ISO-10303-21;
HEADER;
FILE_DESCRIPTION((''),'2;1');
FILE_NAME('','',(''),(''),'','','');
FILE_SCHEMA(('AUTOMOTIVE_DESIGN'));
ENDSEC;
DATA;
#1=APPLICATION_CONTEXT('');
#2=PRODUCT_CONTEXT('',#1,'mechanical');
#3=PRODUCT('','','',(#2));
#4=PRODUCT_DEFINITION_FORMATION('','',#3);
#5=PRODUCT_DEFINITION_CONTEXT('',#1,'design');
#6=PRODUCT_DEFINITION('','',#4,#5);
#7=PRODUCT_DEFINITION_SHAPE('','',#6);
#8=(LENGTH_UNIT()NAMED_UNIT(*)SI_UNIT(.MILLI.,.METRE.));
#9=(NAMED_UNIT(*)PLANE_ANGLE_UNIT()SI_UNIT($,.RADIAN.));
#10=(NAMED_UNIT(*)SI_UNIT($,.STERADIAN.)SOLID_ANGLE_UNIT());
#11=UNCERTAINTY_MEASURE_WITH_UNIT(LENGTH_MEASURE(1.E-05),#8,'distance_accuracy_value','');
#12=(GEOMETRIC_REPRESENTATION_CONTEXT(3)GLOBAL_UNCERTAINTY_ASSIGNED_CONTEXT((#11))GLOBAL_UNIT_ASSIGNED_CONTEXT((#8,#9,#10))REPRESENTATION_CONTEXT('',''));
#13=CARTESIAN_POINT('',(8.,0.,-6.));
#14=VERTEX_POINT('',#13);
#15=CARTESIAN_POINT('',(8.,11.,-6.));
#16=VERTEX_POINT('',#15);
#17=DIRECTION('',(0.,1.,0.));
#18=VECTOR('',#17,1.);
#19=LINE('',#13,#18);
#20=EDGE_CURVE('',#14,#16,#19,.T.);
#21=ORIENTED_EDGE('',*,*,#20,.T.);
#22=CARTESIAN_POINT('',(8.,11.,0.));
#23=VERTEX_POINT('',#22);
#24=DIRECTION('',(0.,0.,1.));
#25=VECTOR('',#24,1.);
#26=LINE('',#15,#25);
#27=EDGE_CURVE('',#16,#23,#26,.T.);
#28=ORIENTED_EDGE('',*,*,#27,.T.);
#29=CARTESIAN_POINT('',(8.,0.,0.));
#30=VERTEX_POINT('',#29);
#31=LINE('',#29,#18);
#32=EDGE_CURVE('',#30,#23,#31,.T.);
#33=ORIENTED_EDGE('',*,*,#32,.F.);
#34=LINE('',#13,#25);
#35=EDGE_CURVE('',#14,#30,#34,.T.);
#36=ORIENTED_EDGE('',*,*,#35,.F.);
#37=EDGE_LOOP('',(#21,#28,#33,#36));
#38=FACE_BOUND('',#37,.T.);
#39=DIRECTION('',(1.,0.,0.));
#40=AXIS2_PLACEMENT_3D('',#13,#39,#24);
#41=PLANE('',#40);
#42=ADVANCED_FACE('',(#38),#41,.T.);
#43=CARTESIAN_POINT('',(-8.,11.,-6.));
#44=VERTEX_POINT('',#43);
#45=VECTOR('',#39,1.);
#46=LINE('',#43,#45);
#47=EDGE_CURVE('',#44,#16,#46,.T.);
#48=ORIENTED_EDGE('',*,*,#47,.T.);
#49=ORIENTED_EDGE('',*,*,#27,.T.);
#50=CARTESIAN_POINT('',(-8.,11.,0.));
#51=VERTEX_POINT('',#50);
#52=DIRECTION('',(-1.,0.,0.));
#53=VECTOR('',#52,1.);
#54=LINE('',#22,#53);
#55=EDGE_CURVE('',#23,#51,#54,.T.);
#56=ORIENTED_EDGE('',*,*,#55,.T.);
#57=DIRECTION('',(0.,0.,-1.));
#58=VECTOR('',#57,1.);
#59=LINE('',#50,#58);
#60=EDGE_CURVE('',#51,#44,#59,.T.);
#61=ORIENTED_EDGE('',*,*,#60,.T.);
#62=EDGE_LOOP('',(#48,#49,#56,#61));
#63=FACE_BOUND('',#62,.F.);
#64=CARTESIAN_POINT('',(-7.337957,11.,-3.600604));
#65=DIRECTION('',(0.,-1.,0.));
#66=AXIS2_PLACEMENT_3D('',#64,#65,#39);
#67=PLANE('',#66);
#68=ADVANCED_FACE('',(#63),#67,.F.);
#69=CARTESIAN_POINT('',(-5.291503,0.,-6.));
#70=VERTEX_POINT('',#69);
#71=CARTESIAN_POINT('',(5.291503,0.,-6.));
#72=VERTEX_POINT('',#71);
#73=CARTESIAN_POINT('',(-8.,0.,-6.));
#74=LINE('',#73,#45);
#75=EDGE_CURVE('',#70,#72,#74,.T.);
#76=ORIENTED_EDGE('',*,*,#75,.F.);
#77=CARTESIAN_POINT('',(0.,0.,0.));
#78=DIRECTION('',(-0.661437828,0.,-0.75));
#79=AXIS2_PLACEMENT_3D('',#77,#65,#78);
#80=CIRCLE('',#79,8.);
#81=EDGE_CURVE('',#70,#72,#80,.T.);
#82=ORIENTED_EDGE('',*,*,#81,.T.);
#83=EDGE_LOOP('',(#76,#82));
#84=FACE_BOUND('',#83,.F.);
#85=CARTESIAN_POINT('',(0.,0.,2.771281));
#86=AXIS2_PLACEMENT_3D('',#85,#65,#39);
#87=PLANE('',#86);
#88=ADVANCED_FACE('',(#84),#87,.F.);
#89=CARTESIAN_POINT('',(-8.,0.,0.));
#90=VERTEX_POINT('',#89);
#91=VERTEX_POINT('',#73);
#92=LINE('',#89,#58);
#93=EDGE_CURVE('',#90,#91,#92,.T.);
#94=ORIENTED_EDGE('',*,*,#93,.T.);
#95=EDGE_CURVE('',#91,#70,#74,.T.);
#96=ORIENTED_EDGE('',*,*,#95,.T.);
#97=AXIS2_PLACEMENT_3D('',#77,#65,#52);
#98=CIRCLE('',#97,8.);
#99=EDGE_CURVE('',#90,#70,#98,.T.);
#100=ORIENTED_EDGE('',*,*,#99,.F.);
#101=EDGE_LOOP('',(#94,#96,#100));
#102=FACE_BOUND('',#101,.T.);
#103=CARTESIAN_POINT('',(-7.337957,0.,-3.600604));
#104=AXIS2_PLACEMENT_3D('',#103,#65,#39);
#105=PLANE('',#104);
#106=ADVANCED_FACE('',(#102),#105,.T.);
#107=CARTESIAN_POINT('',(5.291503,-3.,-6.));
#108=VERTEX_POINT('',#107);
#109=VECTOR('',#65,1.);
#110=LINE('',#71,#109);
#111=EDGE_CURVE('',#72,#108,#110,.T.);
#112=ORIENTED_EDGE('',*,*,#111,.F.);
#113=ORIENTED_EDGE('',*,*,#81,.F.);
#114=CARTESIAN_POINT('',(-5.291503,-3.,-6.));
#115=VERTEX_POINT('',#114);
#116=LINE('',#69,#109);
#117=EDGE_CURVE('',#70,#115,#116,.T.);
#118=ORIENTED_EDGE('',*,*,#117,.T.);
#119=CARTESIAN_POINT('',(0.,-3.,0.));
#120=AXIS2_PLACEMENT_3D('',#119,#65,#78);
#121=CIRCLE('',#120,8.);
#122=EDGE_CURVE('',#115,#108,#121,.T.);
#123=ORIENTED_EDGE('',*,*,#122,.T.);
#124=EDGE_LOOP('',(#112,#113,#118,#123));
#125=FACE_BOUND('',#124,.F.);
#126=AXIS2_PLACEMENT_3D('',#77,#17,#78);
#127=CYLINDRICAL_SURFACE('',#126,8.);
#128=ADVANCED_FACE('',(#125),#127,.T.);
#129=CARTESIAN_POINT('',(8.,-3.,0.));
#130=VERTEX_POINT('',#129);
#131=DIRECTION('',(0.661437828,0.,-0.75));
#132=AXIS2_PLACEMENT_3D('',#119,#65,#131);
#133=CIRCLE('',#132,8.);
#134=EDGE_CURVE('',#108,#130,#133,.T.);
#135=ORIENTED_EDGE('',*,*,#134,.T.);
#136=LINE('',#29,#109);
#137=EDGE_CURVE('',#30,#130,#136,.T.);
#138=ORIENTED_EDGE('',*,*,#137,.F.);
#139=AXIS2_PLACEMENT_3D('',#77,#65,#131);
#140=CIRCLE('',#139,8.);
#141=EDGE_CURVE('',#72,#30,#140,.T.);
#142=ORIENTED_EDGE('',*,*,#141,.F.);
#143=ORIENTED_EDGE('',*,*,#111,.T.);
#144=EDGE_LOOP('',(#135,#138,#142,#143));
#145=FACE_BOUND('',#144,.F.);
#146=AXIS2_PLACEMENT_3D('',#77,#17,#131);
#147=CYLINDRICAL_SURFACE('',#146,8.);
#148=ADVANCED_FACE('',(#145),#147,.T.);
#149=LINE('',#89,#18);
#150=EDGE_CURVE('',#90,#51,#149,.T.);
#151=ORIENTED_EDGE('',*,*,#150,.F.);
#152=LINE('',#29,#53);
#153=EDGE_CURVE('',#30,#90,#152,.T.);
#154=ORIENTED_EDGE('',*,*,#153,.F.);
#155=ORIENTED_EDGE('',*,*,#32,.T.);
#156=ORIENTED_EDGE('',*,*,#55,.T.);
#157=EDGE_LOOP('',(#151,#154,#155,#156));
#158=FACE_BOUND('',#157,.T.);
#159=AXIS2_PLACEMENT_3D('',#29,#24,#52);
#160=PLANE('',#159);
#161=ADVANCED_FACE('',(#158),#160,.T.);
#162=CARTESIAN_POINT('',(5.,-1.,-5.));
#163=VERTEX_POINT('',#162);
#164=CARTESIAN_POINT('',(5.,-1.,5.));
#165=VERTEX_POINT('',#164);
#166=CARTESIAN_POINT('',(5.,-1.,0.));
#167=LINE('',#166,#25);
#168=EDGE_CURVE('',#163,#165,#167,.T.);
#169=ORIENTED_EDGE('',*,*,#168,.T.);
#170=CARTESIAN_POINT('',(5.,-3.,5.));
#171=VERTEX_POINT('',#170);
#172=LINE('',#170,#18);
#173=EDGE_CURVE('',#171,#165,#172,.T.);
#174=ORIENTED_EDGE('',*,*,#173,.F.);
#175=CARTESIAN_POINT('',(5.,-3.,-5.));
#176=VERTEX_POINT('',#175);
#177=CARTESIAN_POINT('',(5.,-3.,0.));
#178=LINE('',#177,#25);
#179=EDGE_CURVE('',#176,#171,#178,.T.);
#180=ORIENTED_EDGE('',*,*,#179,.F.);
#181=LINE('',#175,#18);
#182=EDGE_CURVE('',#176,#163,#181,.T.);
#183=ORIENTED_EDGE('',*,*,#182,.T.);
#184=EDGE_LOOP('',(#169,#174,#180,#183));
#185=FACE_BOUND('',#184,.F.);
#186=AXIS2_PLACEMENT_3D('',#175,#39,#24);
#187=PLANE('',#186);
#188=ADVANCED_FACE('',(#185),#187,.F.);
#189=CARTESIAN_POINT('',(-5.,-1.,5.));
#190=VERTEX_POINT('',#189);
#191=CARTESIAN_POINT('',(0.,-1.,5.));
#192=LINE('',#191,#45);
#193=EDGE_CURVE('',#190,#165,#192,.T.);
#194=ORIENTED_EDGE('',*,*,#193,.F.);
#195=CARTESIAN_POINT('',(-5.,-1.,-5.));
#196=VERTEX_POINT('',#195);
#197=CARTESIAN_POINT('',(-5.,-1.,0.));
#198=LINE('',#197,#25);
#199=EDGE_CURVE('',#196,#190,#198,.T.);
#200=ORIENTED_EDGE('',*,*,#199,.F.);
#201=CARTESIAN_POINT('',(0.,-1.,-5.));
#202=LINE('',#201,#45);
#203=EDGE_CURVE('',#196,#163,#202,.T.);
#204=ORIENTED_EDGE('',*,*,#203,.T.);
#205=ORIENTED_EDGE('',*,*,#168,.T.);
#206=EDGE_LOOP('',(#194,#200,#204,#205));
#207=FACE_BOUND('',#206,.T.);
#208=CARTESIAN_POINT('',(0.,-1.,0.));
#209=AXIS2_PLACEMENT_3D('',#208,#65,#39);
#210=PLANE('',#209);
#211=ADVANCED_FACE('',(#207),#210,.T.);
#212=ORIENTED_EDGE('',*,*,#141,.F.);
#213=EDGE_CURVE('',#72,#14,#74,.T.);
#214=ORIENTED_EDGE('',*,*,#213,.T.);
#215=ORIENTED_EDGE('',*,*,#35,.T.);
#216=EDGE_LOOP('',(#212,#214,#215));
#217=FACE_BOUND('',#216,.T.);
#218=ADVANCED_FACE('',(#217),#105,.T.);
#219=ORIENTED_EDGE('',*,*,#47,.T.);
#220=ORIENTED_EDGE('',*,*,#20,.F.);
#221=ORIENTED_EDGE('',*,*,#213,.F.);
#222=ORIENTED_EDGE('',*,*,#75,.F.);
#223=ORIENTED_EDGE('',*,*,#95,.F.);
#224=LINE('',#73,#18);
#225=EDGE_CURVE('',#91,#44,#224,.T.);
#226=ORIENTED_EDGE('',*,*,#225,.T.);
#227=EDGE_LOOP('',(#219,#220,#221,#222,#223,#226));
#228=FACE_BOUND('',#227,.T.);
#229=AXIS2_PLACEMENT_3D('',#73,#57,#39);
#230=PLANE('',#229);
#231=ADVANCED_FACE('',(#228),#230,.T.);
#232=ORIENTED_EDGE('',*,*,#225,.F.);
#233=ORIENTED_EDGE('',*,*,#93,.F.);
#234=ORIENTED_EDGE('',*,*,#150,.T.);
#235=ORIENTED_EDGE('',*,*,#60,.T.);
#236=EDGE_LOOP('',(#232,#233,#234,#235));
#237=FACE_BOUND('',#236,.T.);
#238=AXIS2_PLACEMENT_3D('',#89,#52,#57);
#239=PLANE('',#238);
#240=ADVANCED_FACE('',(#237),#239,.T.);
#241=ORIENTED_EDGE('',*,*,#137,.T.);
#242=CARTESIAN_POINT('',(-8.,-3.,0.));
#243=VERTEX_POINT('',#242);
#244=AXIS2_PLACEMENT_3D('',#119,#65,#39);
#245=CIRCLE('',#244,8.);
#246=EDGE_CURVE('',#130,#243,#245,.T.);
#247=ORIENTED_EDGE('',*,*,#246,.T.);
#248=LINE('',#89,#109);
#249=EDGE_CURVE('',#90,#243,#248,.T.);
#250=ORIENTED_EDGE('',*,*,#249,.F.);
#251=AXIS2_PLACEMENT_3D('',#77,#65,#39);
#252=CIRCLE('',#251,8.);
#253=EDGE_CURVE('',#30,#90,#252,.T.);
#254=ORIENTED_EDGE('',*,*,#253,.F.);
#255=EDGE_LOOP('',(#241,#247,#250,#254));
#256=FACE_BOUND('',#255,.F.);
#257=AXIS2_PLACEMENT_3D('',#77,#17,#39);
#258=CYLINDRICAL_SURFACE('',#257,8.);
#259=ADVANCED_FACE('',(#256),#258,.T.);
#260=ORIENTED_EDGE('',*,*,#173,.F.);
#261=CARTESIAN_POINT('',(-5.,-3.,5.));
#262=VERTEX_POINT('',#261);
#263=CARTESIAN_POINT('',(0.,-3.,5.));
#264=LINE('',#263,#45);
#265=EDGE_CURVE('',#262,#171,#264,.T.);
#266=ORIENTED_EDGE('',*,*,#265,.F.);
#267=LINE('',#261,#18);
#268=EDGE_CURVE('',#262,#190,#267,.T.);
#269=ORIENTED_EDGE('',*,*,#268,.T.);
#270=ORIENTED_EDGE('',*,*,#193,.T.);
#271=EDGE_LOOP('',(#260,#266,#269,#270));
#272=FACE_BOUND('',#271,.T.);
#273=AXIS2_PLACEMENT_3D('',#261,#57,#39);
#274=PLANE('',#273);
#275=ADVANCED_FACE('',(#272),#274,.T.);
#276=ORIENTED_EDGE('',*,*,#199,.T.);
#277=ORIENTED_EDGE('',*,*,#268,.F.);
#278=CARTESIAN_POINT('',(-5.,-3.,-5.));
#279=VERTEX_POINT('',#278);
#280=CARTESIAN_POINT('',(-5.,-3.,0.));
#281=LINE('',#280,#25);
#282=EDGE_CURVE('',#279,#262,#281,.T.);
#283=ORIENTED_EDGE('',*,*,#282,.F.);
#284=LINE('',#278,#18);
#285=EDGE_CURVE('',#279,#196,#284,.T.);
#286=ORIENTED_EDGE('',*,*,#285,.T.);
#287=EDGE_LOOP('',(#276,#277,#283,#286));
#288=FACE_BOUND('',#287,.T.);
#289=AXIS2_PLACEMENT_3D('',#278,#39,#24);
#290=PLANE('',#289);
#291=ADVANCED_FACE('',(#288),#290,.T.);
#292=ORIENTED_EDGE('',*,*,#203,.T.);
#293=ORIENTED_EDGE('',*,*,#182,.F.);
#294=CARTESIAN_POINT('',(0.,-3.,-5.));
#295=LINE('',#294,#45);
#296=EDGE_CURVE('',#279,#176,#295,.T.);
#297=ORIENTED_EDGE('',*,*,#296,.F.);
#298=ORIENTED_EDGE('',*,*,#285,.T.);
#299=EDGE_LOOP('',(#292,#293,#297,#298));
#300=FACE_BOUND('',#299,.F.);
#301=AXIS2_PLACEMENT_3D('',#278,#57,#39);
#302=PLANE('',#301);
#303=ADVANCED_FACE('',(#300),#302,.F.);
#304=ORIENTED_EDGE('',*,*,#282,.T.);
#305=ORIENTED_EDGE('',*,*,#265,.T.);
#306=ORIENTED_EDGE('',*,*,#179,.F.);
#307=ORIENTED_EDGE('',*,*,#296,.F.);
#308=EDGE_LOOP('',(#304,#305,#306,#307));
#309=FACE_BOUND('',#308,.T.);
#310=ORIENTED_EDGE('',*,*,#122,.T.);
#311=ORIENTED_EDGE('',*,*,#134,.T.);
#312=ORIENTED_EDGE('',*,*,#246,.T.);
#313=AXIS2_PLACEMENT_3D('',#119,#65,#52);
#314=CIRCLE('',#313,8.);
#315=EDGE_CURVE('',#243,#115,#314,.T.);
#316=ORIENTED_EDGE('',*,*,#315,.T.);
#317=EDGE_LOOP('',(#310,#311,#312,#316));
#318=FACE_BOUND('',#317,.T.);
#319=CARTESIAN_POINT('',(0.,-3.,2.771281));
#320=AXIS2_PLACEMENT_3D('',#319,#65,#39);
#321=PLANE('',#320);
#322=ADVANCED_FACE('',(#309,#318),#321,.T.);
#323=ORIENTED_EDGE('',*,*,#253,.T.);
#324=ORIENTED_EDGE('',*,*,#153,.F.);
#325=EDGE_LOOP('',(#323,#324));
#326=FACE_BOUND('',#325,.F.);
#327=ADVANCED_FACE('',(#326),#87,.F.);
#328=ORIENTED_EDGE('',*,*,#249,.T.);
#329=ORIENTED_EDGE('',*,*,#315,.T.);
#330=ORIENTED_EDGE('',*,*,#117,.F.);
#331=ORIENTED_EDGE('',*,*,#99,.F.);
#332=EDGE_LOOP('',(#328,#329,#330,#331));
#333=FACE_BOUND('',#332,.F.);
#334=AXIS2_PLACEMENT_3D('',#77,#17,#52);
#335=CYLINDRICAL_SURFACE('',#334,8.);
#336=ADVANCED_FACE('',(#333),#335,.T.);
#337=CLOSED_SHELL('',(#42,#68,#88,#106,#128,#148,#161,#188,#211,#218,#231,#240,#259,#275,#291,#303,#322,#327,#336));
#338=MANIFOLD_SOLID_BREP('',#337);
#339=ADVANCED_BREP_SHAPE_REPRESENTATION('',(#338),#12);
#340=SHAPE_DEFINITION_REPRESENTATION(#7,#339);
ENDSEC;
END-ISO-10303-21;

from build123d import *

# Parameters (mm, degrees)
F1_DEPTH = 11
F2_DEPTH = 3
F3_W     = 10
F3_H     = 10
F4_DEPTH = 2


with BuildPart() as f1:
    # F0 (on Front) → F1 (new body)
    with BuildSketch(Plane.XZ):
        with BuildLine():
            ThreePointArc((-5.2915026221, -6), (-7.2915026221, -3.2915026221), (-8, 0))
            Line((-8, 0), (-8, -6))
            Line((-8, -6), (-5.2915026221, -6))
        make_face()
        with BuildLine():
            Line((8, -6), (8, 0))
            ThreePointArc((8, 0), (7.2915026221, -3.2915026221), (5.2915026221, -6))
            Line((5.2915026221, -6), (8, -6))
        make_face()
        with BuildLine():
            ThreePointArc((5.2915026221, -6), (7.2915026221, -3.2915026221), (8, 0))
            Line((8, 0), (-8, 0))
            ThreePointArc((-8, 0), (-7.2915026221, -3.2915026221), (-5.2915026221, -6))
            Line((-5.2915026221, -6), (5.2915026221, -6))
        make_face()
    extrude(amount=-F1_DEPTH)

    # F0 (on Front) → F2 (join)
    with BuildSketch(Plane.XZ):
        with BuildLine():
            Line((-8, 0), (8, 0))
            ThreePointArc((8, 0), (0, 8), (-8, 0))
        make_face()
        with BuildLine():
            ThreePointArc((5.2915026221, -6), (7.2915026221, -3.2915026221), (8, 0))
            Line((8, 0), (-8, 0))
            ThreePointArc((-8, 0), (-7.2915026221, -3.2915026221), (-5.2915026221, -6))
            Line((-5.2915026221, -6), (5.2915026221, -6))
        make_face()
        with BuildLine():
            ThreePointArc((-5.2915026221, -6), (0, -8), (5.2915026221, -6))
            Line((5.2915026221, -6), (-5.2915026221, -6))
        make_face()
    extrude(amount=F2_DEPTH)

    # F3 (on face) → F4 (cut)
    with BuildSketch(Plane.XZ.offset(3)):
        Rectangle(F3_W, F3_H)
    extrude(amount=-F4_DEPTH, mode=Mode.SUBTRACT)


solid = f1.part
